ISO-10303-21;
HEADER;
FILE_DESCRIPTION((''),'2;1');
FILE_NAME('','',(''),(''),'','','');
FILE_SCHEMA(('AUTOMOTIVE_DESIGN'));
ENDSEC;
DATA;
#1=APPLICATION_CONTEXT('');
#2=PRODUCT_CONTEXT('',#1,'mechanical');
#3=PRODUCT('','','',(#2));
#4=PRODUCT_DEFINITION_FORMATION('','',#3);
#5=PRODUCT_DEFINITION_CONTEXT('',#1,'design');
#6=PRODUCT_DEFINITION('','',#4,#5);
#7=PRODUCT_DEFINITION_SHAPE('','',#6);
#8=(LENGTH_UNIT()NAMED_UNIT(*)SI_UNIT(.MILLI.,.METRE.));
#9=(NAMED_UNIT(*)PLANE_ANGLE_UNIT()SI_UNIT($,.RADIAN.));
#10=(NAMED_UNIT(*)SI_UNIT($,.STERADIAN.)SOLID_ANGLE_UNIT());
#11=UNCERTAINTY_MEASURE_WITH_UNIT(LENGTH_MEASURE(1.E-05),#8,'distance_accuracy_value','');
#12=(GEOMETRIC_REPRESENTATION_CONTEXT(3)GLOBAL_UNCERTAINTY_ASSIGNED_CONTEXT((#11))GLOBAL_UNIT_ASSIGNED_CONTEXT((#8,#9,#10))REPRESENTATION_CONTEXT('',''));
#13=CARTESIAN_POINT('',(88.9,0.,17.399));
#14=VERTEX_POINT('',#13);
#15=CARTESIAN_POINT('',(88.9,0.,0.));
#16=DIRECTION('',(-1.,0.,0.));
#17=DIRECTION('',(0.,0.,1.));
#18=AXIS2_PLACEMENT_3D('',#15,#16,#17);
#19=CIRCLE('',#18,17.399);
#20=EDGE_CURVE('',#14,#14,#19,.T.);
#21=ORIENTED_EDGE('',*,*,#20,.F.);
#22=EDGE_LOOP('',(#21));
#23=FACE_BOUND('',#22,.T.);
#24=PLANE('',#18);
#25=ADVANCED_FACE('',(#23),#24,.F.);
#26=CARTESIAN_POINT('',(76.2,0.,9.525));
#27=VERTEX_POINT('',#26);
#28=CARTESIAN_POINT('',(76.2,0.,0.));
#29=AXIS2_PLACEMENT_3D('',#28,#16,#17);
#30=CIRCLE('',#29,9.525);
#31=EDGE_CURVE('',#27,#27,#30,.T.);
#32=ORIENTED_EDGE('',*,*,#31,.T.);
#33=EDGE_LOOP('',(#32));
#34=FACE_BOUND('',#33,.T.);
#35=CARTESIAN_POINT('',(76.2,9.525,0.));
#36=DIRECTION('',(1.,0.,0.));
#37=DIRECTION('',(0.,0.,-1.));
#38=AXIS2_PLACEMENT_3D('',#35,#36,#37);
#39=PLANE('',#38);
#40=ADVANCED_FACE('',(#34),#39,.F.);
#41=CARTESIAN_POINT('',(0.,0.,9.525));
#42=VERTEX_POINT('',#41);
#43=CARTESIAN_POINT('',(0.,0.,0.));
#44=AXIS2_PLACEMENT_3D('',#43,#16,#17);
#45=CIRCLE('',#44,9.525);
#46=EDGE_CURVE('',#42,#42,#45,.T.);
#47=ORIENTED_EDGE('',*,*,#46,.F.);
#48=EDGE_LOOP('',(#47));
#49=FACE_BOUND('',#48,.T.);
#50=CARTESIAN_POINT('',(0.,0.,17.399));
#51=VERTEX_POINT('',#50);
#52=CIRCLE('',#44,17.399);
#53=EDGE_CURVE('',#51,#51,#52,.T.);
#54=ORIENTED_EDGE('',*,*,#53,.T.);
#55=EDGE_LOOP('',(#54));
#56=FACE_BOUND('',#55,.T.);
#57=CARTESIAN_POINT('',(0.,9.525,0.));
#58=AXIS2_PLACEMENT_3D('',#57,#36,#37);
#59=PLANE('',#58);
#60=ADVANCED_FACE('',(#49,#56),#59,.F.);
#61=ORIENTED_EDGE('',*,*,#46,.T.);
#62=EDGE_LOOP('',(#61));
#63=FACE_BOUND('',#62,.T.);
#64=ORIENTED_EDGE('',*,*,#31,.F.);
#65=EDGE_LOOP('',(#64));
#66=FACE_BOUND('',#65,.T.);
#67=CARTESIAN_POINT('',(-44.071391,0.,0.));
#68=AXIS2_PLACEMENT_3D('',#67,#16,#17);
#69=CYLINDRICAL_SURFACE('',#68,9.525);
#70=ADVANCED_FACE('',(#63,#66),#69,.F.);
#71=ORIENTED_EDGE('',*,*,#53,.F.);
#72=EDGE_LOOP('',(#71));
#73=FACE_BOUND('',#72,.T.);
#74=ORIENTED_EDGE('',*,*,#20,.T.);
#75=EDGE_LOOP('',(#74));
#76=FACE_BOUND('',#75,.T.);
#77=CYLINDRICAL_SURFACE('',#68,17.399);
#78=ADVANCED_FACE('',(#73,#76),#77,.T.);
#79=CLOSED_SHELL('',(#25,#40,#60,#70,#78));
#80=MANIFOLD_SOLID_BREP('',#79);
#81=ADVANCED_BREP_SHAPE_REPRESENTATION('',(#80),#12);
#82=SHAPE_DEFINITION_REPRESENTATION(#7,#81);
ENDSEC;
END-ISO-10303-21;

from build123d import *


with BuildPart() as part:
    # Sketch1 → Revolve1 (revolve)
    with BuildSketch(Plane.XY):
        Polygon((76.2, 0), (88.9, 0), (88.9, 17.399), (0, 17.399), (0, 9.525), (76.2, 9.525), align=None)
    revolve(axis=Axis((-44.071390532, 0, 0), (1, 0, 0)))


solid = part.part
